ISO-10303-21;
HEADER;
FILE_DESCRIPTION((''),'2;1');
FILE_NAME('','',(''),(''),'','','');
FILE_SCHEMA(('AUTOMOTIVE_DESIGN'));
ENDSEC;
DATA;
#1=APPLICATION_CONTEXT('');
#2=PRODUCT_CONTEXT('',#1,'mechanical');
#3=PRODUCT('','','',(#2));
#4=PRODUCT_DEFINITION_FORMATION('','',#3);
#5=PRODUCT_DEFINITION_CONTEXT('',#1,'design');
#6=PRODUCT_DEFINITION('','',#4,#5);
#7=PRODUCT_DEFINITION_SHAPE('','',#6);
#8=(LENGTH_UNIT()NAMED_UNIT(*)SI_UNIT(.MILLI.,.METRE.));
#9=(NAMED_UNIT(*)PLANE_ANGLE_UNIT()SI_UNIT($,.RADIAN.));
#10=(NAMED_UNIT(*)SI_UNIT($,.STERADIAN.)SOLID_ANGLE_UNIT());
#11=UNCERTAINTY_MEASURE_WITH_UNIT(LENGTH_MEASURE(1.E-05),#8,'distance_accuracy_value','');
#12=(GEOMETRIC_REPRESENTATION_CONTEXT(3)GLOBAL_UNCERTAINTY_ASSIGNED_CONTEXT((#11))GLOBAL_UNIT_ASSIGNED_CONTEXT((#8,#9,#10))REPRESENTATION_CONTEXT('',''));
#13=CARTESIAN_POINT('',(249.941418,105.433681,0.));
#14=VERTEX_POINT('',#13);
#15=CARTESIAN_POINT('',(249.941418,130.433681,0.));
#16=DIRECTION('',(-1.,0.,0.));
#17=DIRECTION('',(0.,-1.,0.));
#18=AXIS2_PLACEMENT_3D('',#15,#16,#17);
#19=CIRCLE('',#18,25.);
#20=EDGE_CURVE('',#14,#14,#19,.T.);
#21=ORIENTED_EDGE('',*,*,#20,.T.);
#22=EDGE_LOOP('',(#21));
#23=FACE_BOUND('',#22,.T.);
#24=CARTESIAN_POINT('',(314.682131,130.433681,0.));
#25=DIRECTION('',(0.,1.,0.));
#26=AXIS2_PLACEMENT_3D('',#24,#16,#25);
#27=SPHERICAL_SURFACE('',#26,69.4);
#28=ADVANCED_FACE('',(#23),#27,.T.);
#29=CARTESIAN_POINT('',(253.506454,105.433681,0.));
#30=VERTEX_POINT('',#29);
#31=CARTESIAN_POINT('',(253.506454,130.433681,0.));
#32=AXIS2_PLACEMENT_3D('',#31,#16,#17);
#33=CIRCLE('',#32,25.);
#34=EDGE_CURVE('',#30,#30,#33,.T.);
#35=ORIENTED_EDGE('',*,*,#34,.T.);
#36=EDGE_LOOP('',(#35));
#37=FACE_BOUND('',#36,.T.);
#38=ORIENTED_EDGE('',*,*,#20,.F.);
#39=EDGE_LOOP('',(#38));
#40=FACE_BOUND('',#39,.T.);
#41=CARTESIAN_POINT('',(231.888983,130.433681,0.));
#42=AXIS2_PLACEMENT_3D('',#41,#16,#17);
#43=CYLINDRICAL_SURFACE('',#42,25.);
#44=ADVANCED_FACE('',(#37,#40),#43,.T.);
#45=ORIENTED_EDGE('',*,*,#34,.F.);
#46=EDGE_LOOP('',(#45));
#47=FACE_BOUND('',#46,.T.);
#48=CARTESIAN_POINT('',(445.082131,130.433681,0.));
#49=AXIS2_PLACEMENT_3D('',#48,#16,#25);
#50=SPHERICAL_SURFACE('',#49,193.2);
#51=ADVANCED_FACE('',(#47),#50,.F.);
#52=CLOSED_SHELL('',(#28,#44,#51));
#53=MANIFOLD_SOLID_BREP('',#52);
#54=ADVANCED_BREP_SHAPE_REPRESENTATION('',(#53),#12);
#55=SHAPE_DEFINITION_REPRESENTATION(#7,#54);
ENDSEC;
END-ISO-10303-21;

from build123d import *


with BuildPart() as part:
    # 草图1 → 旋转1 (revolve)
    with BuildSketch(Plane.XY):
        with BuildLine():
            Line((249.941417502, 155.433680942), (253.506454168, 155.433680942))
            ThreePointArc((253.506454168, 155.433680942), (252.288639547, 142.960037409), (251.882131121, 130.433680942))
            Line((251.882131121, 130.433680942), (245.282131121, 130.433680942))
            ThreePointArc((245.282131121, 130.433680942), (246.456895595, 143.148917369), (249.941417502, 155.433680942))
        make_face()
    revolve(axis=Axis((231.888982596, 130.433680942, 0), (1, 0, 0)))


solid = part.part
